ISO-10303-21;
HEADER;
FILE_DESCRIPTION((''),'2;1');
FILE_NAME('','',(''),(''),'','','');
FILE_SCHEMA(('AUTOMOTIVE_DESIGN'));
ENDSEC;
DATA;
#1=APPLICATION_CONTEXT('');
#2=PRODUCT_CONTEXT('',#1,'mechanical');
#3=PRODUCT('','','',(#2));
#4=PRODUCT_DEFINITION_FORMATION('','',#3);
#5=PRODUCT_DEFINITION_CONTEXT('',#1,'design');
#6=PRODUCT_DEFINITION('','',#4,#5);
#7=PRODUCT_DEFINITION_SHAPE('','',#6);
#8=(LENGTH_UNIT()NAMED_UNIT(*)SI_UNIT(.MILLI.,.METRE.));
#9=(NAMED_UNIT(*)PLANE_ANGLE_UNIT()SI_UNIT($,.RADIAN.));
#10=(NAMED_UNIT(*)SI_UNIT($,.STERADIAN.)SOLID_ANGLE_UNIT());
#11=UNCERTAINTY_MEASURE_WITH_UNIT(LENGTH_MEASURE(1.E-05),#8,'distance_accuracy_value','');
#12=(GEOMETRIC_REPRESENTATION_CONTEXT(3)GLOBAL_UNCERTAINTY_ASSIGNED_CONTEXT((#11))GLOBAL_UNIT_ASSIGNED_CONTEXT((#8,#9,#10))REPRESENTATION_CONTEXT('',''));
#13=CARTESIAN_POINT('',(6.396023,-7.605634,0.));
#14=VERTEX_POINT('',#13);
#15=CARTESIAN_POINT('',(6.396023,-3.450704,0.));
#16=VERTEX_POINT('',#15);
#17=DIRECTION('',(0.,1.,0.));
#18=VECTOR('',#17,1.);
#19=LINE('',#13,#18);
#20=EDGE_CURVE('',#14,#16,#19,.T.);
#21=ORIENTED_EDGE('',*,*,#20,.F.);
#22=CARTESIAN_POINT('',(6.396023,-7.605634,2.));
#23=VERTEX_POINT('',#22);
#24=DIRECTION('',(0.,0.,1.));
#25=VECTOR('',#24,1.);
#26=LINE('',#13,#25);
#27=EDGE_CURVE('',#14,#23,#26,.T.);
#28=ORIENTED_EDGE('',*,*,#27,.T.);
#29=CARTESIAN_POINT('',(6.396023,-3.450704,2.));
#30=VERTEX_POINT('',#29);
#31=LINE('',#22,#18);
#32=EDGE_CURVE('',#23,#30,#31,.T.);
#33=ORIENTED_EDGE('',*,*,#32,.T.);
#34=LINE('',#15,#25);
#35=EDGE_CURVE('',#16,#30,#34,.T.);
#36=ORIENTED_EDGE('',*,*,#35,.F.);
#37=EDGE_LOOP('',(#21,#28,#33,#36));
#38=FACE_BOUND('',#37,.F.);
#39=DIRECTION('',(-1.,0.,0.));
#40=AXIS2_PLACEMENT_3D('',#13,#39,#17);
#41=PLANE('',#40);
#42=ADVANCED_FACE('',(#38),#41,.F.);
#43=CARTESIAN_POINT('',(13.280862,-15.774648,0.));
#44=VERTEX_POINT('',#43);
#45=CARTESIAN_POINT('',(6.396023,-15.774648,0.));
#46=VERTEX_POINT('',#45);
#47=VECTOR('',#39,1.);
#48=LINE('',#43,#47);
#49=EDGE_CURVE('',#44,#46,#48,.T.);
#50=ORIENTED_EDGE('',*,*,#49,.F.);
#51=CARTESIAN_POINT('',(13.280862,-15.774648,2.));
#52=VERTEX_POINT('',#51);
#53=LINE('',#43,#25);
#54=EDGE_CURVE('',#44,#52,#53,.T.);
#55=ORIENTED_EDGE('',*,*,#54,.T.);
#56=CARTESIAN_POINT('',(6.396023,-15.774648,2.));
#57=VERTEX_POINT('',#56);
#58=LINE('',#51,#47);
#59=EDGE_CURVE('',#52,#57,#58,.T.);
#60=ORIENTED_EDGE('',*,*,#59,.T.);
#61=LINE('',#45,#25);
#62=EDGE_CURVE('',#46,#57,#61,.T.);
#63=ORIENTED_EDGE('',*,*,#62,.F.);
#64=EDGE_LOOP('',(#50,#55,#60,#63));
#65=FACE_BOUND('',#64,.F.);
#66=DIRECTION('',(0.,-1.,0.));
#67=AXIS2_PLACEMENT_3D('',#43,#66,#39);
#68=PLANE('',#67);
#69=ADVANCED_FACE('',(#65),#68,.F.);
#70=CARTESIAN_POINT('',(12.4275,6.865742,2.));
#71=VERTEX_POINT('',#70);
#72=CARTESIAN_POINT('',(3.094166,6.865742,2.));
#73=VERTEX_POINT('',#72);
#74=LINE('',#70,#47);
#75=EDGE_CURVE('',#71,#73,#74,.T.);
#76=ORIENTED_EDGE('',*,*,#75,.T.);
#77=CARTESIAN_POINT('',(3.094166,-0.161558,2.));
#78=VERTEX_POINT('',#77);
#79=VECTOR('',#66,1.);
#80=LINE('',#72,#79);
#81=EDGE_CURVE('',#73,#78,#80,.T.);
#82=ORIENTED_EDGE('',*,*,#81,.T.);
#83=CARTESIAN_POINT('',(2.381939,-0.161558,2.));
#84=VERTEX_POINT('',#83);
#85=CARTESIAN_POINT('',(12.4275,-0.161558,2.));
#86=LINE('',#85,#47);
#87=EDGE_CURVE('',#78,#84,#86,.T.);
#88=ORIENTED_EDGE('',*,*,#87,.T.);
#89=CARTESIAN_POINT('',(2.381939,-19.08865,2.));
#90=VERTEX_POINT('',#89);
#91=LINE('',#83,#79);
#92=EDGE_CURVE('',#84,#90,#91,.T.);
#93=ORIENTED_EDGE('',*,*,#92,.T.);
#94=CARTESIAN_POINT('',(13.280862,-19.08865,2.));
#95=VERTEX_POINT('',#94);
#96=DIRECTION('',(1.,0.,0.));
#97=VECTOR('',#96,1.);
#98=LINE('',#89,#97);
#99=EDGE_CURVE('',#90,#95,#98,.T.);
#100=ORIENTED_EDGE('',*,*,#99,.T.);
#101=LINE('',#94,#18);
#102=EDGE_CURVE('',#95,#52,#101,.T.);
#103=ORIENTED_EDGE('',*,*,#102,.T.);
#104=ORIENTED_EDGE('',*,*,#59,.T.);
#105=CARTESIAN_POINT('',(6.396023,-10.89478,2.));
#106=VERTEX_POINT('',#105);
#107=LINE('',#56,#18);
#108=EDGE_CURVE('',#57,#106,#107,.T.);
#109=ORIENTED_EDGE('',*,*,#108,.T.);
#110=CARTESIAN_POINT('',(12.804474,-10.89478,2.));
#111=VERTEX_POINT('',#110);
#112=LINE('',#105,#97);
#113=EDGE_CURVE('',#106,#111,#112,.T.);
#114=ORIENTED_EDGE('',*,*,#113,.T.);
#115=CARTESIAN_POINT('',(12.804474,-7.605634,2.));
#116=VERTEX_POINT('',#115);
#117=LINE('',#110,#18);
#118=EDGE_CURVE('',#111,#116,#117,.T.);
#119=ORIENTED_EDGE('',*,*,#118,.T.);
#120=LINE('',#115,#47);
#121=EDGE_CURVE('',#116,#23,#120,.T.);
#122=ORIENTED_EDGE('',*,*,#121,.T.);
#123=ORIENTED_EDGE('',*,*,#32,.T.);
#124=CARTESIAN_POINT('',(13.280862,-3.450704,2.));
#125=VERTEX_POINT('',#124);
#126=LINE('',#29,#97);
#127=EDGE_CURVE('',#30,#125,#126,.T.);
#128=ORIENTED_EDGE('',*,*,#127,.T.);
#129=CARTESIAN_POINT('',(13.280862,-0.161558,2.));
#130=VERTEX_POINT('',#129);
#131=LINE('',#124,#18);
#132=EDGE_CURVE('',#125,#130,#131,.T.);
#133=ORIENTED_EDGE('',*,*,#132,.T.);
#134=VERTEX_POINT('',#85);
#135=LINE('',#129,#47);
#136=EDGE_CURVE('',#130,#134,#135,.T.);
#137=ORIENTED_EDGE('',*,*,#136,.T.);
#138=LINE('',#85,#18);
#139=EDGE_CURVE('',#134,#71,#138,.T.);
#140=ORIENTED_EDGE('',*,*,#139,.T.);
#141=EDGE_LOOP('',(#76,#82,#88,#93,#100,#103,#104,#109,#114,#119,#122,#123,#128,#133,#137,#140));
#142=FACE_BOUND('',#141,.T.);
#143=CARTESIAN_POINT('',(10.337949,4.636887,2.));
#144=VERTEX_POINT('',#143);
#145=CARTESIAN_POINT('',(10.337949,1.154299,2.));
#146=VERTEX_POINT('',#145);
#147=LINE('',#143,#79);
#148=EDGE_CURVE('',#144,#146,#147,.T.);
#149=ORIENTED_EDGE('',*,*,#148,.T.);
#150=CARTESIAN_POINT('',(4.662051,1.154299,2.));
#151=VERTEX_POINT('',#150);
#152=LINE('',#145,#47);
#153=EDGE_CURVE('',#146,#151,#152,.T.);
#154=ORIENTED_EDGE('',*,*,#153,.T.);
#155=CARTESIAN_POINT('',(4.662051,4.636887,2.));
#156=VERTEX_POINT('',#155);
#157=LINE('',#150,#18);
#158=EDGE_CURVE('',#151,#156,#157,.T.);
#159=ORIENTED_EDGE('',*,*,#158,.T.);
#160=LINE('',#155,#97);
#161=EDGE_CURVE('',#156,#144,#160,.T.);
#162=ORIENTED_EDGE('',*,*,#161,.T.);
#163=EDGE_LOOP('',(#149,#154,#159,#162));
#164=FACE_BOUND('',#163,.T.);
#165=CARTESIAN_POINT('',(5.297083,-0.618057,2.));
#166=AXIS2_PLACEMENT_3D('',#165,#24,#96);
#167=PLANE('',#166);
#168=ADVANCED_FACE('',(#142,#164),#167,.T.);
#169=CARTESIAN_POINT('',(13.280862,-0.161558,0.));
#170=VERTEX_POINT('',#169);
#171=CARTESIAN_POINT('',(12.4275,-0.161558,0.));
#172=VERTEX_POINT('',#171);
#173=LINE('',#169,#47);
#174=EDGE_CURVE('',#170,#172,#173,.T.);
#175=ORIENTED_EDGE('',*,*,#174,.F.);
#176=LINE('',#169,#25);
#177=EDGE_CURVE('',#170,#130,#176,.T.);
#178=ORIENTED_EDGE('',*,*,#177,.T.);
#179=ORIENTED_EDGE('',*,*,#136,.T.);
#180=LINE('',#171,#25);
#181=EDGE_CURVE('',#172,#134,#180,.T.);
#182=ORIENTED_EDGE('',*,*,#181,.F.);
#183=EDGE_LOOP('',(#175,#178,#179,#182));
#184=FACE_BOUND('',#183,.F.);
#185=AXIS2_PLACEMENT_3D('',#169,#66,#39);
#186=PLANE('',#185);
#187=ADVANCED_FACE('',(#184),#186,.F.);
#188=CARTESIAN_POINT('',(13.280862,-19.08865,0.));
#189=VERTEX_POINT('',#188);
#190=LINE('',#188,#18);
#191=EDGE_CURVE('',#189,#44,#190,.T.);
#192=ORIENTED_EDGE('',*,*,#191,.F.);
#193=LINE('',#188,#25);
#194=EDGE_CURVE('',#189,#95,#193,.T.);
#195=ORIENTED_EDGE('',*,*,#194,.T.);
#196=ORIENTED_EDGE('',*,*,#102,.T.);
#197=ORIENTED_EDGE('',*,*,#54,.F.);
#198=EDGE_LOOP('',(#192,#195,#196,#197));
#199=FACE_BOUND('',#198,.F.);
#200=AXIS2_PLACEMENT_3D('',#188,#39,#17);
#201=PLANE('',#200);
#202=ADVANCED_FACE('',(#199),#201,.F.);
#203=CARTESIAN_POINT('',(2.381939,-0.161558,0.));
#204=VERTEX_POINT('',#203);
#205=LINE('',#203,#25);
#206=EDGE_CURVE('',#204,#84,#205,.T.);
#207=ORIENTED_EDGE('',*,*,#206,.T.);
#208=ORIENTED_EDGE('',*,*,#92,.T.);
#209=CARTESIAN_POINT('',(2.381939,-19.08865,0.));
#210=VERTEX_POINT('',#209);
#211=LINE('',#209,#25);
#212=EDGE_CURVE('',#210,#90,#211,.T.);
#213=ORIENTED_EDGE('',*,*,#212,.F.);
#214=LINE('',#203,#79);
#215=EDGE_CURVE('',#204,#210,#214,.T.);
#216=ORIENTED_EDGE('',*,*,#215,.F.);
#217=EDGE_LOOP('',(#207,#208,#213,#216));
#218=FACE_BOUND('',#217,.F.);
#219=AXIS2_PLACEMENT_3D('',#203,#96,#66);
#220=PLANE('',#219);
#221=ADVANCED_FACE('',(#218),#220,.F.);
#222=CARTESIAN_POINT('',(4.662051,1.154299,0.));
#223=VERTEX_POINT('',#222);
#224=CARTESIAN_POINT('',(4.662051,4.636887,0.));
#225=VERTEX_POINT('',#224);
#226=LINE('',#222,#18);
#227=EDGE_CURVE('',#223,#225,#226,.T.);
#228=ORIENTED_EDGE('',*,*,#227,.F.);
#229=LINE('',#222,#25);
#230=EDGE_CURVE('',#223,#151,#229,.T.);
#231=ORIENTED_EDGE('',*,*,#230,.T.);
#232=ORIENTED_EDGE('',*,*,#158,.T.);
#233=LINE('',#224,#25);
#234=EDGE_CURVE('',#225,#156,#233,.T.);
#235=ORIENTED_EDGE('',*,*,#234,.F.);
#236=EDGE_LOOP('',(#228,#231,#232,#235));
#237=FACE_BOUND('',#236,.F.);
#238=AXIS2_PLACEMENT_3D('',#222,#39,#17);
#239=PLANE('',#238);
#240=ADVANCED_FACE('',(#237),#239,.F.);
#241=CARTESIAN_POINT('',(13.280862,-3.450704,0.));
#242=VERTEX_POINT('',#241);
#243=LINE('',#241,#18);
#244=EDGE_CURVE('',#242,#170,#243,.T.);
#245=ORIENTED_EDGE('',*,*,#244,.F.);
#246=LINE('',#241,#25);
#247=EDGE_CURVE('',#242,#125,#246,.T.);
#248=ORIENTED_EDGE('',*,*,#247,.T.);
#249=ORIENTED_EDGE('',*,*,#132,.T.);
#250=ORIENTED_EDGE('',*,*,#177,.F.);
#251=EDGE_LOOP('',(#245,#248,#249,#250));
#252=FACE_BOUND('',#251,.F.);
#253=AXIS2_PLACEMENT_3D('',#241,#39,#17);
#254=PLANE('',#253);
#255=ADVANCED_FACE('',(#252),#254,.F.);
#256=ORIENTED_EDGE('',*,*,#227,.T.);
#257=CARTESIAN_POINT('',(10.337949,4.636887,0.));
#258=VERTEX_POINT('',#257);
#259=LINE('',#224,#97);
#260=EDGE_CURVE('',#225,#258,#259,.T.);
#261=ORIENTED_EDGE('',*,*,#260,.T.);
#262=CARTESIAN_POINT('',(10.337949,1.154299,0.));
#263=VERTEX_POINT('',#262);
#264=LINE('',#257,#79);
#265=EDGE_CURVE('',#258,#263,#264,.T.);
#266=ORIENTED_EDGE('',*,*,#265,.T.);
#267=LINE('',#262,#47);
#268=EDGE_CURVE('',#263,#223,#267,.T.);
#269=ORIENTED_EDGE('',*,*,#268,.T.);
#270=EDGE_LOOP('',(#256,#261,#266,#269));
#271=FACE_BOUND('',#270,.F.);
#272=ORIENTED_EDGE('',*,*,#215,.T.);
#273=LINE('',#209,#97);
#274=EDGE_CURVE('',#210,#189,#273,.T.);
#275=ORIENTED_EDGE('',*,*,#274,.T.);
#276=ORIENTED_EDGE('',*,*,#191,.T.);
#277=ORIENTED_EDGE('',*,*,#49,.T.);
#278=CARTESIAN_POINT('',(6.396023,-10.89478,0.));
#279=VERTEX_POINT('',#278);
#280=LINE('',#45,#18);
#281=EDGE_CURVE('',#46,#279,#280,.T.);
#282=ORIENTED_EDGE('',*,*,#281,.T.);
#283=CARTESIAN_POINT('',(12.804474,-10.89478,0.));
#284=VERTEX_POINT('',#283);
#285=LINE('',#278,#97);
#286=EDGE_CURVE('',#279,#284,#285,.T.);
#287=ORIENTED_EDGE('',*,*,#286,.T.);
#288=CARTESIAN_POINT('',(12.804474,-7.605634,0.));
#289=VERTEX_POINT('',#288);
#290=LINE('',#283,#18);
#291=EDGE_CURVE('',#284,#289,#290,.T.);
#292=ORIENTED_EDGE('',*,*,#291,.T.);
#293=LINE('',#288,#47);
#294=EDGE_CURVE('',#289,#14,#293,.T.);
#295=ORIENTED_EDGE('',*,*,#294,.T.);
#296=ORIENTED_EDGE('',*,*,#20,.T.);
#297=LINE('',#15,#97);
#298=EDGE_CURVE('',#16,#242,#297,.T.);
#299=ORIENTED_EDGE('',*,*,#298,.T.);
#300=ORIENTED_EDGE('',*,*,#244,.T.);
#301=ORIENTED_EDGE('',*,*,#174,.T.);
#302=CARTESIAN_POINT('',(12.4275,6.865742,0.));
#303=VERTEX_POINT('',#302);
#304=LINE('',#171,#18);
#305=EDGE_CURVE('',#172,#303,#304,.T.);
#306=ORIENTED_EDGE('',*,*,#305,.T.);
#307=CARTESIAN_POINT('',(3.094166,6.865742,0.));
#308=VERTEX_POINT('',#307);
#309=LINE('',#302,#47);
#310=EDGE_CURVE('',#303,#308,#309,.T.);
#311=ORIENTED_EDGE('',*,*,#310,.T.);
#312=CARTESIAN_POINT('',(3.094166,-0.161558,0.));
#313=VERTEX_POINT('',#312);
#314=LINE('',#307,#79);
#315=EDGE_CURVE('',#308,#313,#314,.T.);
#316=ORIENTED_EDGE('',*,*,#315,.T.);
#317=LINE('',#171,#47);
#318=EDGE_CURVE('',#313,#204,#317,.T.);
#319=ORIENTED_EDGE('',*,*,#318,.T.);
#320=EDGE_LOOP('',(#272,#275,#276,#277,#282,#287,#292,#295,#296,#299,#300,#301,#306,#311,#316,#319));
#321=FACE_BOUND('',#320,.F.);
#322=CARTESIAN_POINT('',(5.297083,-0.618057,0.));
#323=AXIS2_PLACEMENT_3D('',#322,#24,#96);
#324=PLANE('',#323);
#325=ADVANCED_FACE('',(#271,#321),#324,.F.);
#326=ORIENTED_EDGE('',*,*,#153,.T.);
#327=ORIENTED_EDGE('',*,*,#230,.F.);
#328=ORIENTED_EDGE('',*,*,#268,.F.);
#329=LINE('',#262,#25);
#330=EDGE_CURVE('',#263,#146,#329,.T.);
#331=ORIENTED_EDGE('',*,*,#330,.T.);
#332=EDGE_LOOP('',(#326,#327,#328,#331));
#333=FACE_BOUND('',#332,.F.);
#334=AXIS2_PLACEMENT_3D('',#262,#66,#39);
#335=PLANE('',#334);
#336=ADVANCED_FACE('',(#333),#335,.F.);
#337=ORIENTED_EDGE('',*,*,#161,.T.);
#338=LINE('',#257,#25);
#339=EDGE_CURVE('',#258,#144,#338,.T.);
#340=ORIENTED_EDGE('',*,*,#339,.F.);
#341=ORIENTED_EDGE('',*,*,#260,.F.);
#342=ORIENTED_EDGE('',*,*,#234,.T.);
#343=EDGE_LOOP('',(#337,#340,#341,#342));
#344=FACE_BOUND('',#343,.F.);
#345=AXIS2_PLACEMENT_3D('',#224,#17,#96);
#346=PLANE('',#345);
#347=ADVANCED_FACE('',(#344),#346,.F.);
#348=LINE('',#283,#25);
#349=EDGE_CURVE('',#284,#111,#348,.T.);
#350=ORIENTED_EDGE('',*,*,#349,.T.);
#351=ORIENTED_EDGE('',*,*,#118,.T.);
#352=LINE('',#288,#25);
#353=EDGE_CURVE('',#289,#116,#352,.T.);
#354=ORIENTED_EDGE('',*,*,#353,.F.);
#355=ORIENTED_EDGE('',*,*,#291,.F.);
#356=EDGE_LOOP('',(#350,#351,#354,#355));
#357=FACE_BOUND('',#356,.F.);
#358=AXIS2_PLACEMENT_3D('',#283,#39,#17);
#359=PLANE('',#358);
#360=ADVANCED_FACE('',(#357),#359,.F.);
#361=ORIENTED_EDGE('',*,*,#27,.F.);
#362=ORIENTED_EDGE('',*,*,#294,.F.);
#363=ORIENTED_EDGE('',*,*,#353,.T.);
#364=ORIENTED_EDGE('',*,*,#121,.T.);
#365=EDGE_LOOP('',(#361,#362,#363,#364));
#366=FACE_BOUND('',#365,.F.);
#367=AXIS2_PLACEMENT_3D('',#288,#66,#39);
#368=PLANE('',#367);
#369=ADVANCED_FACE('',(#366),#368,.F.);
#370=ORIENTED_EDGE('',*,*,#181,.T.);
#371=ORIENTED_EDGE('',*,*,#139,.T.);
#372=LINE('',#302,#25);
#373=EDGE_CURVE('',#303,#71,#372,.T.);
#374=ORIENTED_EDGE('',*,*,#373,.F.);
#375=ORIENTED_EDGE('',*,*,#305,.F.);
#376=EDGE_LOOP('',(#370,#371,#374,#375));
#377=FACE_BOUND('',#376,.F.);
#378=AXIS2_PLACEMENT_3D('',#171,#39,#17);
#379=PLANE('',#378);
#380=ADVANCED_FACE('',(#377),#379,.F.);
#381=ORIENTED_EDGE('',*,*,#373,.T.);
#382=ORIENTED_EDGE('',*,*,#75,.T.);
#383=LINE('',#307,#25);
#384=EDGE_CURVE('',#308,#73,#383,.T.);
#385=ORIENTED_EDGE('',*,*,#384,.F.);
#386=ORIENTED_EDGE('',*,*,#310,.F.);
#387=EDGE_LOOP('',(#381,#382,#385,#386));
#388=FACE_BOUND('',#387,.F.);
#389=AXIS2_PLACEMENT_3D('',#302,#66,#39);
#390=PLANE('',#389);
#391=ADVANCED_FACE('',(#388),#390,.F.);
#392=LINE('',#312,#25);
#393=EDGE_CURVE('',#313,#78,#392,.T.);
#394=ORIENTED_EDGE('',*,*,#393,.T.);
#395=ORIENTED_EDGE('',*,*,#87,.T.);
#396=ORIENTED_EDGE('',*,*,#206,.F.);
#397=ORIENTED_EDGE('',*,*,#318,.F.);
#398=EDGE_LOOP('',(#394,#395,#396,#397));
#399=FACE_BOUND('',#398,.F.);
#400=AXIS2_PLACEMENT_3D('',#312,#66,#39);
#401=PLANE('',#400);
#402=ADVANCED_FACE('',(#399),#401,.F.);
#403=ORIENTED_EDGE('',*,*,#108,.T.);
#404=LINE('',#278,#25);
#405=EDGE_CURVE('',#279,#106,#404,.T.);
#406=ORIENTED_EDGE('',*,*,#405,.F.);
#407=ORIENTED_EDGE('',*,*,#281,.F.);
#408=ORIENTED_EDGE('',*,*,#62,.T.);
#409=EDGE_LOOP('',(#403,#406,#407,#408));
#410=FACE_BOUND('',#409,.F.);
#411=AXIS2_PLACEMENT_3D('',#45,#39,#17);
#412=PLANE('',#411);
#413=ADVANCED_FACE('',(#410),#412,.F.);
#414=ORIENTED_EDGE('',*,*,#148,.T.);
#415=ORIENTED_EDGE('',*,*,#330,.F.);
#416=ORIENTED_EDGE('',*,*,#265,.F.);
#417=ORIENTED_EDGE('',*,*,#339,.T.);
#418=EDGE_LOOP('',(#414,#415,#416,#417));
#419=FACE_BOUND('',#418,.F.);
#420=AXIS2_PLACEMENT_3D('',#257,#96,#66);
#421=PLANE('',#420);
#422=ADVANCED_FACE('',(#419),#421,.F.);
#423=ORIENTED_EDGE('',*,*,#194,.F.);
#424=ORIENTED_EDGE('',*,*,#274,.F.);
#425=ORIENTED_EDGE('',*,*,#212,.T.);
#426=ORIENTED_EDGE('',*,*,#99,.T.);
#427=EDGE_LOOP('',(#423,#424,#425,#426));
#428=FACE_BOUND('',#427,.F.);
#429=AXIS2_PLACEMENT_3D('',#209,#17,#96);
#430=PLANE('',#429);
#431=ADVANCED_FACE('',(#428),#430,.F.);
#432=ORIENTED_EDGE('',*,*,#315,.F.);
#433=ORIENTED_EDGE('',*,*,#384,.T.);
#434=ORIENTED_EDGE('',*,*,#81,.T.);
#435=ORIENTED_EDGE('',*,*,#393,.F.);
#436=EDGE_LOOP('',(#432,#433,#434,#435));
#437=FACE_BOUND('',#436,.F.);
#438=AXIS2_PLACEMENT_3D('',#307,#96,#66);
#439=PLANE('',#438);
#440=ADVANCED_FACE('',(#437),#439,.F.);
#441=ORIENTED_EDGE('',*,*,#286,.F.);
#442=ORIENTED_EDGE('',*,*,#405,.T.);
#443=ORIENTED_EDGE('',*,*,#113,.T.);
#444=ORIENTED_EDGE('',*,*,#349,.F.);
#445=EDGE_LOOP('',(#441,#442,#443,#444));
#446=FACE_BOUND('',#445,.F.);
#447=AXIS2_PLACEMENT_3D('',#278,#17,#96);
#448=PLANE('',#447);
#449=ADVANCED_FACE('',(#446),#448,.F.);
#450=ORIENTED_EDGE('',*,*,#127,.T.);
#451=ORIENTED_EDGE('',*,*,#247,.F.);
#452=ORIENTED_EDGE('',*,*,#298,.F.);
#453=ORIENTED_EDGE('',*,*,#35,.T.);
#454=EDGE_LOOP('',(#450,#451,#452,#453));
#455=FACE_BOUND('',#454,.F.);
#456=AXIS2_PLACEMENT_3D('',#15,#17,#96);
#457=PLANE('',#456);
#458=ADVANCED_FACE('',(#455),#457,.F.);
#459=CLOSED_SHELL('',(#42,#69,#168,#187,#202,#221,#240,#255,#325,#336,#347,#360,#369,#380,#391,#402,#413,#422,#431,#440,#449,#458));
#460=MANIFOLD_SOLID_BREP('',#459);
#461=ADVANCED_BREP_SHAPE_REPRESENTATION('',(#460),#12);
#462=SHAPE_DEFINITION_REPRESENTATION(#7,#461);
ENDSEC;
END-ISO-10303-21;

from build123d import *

# Parameters (mm, degrees)
F0_W     = 4.4058337156
F0_H     = 0.9129986805
F0_W_2   = 4.9275004491
F1_DEPTH = 2


with BuildPart() as f1:
    # F0 (on Top) → F1 (new body)
    with BuildSketch(Plane.XY):
        with Locations((5.2970831422, -0.618056921)):
            Rectangle(F0_W, F0_H)
        Polygon((7.5, -1.0745562613), (3.0941662844, -1.0745562613), (3.0941662844, -0.1615575808), (2.381938691, -0.1615575808), (2.381938691, -19.0886495443), (13.2808616404, -19.0886495443), (13.2808616404, -15.7746478873), (6.396023198, -15.7746478873), (6.396023198, -10.8947804474), (12.8044739022, -10.8947804474), (12.8044739022, -7.6056338028), (6.396023198, -7.6056338028), (6.396023198, -3.4507042254), (13.2808616404, -3.4507042254), (13.2808616404, -0.1615575808), (12.4275004491, -0.1615575808), (12.4275004491, -1.0745562613), align=None)
        with Locations((9.9637502246, -0.618056921)):
            Rectangle(F0_W_2, F0_H)
        Polygon((3.0941662844, 6.8657421507), (3.0941662844, -0.1615575808), (7.5, -0.1615575808), (7.5, 1.1542992434), (4.6620512009, 1.1542992434), (4.6620512009, 4.636886646), (7.5, 4.636886646), (7.5, 6.8657421507), align=None)
        Polygon((7.5, 1.1542992434), (7.5, -0.1615575808), (12.4275004491, -0.1615575808), (12.4275004491, 6.8657421507), (7.5, 6.8657421507), (7.5, 4.636886646), (10.3379487991, 4.636886646), (10.3379487991, 1.1542992434), align=None)
    extrude(amount=F1_DEPTH)


solid = f1.part
